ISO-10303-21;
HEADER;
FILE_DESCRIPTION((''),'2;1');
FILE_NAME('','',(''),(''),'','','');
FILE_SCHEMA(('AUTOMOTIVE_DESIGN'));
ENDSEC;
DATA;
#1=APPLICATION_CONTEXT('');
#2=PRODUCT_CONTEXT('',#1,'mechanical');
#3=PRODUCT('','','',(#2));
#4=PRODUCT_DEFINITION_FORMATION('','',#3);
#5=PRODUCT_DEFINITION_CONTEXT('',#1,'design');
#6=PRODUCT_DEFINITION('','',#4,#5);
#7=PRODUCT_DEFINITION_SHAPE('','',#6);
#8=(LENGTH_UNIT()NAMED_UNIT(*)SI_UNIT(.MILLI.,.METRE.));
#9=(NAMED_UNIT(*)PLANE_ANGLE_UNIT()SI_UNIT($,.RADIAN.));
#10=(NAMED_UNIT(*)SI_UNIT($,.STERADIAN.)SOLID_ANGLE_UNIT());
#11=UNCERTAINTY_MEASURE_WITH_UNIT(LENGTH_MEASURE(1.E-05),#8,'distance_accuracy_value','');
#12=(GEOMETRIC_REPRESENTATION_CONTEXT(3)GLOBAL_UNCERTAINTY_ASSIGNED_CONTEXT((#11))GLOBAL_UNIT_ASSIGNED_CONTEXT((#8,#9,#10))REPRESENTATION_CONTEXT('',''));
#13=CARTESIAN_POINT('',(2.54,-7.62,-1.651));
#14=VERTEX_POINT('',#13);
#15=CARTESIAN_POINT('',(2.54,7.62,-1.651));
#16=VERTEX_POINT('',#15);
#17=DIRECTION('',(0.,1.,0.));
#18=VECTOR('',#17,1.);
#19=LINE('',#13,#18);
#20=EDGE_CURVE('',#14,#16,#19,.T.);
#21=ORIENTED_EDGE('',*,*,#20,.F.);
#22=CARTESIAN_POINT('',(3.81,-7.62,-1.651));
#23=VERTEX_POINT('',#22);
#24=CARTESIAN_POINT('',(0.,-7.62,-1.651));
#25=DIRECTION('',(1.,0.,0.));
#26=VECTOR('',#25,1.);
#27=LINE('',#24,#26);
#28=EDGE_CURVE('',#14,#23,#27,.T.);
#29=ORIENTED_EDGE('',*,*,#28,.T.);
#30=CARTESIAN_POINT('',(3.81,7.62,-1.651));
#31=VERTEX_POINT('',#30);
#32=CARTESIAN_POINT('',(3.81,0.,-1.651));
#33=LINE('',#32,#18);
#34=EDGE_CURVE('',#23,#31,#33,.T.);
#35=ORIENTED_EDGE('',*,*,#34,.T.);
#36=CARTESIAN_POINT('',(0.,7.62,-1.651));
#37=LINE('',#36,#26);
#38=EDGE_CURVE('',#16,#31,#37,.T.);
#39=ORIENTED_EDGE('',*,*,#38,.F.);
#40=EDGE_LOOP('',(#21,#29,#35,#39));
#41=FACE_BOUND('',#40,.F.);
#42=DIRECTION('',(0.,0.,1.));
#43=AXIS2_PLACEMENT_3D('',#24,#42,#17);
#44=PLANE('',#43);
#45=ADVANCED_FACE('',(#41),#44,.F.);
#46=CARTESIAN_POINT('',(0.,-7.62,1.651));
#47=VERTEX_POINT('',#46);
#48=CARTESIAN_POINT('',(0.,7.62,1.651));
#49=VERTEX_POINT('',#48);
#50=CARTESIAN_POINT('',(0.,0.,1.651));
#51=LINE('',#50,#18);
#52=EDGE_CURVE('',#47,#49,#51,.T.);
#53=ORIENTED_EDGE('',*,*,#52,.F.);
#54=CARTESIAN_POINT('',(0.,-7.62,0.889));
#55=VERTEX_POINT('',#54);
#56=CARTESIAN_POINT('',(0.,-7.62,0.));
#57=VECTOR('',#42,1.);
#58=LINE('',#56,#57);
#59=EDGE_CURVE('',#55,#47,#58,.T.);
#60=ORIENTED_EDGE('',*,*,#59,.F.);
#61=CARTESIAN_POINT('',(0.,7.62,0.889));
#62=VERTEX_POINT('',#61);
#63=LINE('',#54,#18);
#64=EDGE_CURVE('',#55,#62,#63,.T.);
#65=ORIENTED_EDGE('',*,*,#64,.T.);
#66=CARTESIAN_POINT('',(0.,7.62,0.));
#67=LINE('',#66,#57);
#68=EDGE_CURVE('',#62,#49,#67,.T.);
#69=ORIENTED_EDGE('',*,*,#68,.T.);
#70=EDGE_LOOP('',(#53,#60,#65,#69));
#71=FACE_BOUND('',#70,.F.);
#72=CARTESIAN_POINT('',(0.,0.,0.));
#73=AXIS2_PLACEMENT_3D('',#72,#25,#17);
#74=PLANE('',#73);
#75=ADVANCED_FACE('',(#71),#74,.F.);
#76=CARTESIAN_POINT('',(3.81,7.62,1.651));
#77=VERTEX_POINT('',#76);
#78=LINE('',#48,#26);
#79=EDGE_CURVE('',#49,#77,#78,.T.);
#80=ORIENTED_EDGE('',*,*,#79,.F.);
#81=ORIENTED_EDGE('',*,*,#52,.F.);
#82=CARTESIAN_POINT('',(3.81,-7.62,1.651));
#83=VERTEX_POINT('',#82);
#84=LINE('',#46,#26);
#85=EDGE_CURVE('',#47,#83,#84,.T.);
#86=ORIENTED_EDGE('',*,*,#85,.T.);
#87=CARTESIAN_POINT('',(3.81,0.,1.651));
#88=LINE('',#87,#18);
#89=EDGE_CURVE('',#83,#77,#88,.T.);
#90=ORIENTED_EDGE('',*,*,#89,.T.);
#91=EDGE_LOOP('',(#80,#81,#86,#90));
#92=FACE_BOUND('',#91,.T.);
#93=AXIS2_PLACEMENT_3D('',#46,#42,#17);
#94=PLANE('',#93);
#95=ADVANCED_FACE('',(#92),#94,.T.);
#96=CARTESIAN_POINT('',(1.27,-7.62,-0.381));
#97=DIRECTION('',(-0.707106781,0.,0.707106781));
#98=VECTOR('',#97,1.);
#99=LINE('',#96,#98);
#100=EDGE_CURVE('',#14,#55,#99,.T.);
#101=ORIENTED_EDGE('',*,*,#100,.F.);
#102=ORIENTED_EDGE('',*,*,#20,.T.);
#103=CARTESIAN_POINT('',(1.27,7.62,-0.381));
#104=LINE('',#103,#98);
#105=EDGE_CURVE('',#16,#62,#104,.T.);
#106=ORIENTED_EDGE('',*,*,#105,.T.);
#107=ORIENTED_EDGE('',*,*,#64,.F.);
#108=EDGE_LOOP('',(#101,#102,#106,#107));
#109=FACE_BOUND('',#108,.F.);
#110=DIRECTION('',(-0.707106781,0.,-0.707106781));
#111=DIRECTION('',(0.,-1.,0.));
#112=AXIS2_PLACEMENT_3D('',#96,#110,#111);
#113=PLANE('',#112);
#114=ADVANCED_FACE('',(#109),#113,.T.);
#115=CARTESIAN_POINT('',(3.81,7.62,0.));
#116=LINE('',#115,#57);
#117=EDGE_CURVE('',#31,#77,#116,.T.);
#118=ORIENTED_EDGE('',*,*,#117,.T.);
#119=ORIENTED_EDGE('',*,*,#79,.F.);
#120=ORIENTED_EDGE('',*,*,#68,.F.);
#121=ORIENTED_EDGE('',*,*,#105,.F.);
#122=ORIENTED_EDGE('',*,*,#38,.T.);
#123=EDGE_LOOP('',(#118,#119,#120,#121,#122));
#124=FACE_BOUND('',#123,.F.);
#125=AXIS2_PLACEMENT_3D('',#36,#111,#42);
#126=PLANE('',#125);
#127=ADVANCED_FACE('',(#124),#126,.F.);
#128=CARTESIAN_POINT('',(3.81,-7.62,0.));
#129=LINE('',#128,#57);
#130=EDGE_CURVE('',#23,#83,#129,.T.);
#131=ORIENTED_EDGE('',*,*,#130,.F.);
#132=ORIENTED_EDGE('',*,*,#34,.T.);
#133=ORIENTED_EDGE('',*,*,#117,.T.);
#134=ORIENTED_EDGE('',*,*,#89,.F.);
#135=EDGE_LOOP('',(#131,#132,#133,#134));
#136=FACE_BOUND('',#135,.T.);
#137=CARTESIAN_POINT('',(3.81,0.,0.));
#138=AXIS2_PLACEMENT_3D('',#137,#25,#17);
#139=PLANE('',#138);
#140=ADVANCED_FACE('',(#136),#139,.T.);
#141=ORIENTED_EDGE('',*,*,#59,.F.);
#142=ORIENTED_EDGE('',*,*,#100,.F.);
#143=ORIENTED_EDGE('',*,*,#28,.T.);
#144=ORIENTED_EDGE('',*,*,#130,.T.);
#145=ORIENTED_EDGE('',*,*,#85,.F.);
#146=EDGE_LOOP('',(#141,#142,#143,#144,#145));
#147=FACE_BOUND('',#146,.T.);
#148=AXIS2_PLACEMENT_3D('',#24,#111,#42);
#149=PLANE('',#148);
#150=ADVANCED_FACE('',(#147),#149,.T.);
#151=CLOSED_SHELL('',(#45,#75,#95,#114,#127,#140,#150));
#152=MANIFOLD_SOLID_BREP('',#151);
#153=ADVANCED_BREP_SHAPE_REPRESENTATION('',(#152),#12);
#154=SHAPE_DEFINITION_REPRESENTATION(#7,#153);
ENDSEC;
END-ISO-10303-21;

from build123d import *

# Parameters (mm, degrees)
F0_W     = 15.24
F0_H     = 3.302
F1_DEPTH = 3.81
F2_SIZE  = 2.54


with BuildPart() as f1:
    # F0 (on Right) → F1 (new body)
    with BuildSketch(Plane.YZ):
        Rectangle(F0_W, F0_H)
    extrude(amount=F1_DEPTH)

    # F2
    f2_edges = [f1.edges().sort_by_distance(p)[0] for p in [
        (0, 0, -1.651),
    ]]
    chamfer(f2_edges, length=F2_SIZE)


solid = f1.part
